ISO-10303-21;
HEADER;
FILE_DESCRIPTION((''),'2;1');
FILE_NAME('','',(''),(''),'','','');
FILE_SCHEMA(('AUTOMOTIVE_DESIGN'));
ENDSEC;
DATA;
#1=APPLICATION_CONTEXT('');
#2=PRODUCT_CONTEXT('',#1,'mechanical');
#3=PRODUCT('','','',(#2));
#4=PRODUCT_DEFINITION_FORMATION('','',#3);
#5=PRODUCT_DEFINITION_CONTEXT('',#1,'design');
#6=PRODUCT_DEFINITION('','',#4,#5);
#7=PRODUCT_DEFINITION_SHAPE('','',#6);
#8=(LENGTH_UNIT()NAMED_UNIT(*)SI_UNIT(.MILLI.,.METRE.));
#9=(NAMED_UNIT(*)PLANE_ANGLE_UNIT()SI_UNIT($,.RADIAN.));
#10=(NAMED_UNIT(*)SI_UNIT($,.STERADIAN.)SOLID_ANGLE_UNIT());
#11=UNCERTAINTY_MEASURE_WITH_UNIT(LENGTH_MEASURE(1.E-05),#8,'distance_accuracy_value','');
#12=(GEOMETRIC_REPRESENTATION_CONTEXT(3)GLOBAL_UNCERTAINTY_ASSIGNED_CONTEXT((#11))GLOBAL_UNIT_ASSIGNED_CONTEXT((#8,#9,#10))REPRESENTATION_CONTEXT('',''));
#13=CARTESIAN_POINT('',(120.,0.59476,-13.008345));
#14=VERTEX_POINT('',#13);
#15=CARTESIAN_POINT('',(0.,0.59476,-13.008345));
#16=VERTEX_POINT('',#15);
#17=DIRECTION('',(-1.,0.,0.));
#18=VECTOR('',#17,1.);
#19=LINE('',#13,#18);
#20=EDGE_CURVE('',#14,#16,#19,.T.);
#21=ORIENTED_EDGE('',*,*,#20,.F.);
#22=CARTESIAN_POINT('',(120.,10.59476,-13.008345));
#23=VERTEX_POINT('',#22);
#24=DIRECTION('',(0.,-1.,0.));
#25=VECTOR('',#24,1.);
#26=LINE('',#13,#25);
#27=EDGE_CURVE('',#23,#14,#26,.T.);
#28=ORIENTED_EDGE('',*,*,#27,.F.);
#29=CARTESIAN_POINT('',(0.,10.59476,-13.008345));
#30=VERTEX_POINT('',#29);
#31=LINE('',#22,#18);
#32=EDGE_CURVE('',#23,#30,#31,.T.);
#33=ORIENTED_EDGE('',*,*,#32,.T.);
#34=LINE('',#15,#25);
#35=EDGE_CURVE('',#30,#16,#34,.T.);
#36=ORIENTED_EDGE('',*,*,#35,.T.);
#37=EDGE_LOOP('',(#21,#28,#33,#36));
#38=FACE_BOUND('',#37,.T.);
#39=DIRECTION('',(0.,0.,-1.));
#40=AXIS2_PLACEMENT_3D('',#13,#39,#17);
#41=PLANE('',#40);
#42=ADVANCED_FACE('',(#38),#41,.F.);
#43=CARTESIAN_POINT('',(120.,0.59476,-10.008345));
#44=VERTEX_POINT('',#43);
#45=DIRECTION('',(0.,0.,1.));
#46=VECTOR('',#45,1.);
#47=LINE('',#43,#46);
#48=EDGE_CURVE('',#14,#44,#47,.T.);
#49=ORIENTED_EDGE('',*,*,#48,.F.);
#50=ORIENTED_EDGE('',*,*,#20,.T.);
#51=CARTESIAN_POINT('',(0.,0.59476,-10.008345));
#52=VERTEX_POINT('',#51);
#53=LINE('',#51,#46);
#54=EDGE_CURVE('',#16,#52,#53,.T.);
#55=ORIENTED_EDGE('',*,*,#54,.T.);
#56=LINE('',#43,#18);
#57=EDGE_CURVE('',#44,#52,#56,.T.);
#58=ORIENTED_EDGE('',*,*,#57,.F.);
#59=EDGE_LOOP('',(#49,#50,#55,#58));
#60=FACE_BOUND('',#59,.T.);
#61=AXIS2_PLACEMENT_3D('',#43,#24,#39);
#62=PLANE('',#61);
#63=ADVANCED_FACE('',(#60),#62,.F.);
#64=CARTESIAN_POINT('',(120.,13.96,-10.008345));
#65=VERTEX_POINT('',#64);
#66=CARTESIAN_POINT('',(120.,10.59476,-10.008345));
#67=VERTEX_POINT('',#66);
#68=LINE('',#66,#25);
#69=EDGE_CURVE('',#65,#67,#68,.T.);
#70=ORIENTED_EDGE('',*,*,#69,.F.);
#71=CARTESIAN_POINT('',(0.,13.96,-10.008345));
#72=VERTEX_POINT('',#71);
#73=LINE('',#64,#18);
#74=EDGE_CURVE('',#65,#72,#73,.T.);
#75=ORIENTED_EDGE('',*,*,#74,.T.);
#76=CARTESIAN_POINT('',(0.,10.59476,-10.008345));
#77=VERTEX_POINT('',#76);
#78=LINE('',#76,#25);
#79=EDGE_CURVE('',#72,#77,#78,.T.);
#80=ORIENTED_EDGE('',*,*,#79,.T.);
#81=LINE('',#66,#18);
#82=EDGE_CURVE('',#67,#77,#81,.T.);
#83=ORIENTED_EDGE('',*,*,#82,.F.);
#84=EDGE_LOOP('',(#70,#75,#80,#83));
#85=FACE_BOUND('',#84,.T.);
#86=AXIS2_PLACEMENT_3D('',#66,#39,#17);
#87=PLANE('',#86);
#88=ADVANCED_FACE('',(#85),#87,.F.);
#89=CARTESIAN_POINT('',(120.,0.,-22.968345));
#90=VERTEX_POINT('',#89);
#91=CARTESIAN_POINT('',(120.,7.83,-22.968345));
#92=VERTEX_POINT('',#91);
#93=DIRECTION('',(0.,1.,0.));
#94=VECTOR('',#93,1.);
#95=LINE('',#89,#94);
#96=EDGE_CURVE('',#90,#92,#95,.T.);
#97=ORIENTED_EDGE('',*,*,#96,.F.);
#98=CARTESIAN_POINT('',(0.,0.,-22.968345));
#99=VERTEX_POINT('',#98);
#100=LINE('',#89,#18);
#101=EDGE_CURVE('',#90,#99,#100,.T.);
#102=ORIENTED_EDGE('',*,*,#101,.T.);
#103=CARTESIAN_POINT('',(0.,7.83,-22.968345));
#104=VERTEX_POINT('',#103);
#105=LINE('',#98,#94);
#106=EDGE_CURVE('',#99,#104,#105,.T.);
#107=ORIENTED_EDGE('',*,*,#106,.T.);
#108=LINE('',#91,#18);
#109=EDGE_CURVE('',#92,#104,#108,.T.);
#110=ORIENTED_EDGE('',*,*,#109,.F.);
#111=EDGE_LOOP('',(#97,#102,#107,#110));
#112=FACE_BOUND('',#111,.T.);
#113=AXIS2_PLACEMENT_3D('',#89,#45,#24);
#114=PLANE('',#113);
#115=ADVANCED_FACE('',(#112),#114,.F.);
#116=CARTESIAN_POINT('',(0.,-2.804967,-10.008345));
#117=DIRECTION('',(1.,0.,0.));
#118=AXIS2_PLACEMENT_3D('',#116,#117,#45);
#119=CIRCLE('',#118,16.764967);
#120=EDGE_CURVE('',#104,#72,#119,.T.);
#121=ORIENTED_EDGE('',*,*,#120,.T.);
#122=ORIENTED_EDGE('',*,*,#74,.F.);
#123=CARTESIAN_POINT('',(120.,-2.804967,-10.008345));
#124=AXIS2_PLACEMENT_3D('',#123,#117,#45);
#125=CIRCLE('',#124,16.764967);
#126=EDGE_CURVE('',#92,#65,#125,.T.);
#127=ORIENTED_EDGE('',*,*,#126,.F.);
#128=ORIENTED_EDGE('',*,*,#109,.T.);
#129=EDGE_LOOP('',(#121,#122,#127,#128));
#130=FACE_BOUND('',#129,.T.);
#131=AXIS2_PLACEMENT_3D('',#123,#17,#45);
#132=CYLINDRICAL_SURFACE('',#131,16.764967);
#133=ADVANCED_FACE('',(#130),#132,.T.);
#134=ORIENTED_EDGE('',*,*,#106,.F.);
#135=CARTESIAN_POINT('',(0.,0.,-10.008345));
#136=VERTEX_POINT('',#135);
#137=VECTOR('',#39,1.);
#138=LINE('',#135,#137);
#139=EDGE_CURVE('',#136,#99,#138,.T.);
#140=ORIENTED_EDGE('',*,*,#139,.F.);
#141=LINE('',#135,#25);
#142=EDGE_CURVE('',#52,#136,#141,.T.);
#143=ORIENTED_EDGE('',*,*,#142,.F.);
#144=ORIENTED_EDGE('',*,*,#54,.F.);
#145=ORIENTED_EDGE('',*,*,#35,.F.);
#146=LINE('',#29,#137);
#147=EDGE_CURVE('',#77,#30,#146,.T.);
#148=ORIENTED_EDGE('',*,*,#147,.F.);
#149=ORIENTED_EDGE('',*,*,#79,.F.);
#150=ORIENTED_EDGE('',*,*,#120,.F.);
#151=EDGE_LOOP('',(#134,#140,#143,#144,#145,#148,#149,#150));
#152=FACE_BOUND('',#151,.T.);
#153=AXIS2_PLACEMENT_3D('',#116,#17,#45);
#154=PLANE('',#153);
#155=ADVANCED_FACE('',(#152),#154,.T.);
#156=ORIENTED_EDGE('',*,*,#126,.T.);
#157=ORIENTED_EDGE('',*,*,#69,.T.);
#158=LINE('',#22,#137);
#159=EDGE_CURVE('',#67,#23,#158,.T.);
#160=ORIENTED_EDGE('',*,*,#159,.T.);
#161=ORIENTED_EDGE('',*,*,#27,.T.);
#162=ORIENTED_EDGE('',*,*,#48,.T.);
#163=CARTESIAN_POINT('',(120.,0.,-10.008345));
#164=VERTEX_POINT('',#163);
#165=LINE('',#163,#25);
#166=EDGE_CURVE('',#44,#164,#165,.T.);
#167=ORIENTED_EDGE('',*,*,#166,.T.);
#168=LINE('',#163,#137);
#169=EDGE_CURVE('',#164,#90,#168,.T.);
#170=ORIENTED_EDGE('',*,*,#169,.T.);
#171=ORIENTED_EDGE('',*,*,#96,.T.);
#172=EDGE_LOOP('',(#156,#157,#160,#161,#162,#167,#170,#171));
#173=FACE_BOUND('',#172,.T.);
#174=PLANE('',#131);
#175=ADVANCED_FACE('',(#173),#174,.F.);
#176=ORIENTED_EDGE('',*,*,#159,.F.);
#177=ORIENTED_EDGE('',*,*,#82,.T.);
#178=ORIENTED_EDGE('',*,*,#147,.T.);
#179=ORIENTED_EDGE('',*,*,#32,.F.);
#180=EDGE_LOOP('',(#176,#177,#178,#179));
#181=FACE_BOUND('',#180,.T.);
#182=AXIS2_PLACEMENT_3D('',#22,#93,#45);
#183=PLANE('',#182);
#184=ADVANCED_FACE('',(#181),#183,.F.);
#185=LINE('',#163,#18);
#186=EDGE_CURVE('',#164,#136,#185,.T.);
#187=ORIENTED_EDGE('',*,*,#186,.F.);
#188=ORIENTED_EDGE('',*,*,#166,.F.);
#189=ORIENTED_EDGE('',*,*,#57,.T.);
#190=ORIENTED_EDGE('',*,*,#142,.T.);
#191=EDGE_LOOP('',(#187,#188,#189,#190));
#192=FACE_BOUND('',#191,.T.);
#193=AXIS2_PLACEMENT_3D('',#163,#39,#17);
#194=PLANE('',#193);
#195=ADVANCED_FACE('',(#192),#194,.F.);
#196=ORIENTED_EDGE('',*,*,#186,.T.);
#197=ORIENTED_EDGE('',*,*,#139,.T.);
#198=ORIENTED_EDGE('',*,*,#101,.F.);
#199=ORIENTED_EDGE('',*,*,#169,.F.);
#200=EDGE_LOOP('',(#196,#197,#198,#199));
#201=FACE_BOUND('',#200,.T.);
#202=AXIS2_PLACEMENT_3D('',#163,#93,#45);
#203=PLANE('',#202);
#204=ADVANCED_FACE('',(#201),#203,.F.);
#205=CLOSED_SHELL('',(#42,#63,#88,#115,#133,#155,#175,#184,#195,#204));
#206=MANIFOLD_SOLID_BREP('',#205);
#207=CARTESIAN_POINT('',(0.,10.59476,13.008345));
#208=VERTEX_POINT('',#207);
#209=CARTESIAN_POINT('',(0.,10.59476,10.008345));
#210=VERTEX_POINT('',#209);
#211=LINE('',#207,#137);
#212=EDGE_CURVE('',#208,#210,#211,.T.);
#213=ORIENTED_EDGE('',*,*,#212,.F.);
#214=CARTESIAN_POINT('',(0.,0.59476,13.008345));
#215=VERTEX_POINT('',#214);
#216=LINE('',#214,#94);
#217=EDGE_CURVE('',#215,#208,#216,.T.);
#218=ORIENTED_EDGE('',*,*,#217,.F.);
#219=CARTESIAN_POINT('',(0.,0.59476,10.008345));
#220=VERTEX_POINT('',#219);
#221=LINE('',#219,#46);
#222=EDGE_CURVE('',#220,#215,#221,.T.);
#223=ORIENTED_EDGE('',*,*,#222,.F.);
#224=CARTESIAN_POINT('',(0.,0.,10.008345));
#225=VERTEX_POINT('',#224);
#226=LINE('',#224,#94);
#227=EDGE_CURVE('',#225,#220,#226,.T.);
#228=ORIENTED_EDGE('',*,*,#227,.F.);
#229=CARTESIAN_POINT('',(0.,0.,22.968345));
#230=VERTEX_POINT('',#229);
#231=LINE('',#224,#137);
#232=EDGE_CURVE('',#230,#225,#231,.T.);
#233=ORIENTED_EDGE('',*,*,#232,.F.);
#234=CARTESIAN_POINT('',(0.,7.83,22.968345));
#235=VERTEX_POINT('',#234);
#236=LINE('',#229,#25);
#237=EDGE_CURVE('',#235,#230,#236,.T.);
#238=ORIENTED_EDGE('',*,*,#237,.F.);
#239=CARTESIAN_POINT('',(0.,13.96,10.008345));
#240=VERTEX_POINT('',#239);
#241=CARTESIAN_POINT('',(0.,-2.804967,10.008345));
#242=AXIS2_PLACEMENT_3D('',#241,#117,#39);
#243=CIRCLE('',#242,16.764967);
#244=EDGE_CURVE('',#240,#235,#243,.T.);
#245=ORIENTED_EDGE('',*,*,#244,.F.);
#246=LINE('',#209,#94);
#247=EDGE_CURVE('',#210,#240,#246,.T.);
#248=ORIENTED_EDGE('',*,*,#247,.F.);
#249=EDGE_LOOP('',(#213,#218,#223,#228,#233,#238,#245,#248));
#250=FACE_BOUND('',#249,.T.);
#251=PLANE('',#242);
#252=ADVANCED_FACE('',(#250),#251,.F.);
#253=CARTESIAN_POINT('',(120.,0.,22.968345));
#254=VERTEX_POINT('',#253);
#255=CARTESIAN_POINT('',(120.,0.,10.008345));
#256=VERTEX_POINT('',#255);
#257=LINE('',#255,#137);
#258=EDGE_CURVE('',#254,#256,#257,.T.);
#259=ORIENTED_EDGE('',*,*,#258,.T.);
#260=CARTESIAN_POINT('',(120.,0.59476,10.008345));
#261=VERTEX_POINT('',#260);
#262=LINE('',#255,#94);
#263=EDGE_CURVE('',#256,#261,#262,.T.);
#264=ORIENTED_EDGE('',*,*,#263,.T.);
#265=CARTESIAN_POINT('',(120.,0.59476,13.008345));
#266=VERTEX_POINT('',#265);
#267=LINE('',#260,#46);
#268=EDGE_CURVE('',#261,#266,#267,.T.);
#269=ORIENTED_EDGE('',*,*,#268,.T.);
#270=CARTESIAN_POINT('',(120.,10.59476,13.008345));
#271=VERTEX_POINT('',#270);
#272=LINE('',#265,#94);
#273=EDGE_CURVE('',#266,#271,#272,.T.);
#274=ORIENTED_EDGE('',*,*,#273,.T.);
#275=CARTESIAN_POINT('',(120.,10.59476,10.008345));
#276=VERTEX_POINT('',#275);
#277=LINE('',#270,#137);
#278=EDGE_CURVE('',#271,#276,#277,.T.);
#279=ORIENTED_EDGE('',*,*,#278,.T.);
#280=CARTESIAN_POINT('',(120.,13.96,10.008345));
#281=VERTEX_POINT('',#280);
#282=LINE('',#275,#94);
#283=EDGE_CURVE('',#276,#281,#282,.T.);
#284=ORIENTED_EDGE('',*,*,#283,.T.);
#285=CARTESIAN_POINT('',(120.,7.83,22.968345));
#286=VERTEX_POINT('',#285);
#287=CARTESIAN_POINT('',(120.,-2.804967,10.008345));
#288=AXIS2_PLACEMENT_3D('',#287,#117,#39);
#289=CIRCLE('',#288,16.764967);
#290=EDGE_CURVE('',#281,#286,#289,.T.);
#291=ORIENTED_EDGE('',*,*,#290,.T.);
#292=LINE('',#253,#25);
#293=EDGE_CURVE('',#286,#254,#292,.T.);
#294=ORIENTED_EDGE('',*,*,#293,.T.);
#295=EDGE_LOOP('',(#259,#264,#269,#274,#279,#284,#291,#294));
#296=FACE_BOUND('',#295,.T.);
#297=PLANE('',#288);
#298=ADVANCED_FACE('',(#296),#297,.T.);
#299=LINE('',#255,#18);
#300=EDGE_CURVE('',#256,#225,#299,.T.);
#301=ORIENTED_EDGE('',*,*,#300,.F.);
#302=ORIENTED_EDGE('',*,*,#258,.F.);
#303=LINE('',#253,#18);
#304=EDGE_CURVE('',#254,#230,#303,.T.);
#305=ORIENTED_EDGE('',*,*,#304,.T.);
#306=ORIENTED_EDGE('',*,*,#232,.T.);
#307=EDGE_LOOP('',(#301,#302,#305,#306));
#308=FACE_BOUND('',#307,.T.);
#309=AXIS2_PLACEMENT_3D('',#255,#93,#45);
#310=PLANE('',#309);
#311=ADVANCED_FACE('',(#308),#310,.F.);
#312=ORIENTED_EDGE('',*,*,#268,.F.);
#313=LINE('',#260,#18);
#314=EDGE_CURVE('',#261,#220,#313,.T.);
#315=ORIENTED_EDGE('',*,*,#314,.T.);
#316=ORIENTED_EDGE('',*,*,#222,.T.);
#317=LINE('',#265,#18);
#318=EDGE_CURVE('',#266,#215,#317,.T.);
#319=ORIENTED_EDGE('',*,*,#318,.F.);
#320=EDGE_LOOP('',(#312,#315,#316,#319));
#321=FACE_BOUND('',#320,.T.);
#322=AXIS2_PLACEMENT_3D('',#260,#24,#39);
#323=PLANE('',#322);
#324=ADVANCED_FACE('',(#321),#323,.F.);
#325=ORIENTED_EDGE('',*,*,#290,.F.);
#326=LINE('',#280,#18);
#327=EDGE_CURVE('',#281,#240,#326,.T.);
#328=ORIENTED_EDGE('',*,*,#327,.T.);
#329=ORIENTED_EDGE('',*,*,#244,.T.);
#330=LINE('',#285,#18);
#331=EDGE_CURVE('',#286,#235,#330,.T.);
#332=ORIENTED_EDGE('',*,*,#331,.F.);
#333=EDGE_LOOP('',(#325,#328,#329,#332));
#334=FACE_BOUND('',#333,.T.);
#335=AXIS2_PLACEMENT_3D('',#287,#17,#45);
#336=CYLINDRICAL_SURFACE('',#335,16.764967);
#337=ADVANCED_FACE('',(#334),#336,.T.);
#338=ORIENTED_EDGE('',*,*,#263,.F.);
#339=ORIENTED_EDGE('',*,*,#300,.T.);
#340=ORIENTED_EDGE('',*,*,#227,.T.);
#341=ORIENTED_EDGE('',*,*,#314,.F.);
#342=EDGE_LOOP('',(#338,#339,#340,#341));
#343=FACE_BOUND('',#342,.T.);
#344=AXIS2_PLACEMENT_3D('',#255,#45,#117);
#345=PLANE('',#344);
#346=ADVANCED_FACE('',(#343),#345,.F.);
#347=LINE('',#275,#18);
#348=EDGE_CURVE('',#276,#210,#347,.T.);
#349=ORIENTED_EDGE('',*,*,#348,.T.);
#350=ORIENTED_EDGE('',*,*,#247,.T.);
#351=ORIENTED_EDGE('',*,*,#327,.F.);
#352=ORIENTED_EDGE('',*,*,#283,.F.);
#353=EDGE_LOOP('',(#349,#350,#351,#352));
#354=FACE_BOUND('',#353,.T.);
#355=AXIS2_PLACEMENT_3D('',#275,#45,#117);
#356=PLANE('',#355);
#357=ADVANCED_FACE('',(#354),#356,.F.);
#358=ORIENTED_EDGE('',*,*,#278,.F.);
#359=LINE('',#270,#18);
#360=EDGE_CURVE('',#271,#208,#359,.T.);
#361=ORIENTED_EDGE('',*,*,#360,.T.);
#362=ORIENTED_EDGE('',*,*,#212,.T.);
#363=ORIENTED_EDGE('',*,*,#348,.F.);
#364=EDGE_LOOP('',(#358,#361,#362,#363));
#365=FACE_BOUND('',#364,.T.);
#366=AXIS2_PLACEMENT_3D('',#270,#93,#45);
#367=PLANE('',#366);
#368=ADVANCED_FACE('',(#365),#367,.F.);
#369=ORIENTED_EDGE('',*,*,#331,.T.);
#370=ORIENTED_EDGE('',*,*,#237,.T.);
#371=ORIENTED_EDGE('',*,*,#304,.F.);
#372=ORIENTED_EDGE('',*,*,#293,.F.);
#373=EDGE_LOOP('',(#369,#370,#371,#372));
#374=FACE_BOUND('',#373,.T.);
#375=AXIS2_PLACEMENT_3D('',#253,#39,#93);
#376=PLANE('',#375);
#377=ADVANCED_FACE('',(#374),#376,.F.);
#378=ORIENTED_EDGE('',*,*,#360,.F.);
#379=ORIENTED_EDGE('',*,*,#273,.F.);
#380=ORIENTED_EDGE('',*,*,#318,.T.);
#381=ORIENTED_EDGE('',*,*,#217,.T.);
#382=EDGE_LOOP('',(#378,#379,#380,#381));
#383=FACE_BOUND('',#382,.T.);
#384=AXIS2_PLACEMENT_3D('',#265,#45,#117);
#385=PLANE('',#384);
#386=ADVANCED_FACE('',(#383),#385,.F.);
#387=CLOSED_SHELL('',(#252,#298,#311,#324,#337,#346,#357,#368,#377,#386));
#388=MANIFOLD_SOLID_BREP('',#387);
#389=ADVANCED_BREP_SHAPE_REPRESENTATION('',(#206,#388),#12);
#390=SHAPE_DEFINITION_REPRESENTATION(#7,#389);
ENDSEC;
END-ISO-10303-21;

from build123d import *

# Parameters (mm, degrees)
BOSS_EXTRUDE1_DEPTH   = 120
BOSS_EXTRUDE1_2_DEPTH = 120


with BuildPart() as part:
    # Sketch3 → Boss-Extrude1 (new body)
    with BuildSketch(Plane(origin=(0, 0, -10), x_dir=(0, 0, -1), z_dir=(1, 0, 0))):
        with BuildLine():
            Line((0.008344509, 0), (12.968344509, 0))
            Line((12.968344509, 0), (12.968344509, 7.83))
            ThreePointArc((12.968344509, 7.83), (7.176651492, 12.350213458), (0.008344509, 13.96))
            Line((0.008344509, 13.96), (0.008344509, 10.59476024))
            Line((0.008344509, 10.59476024), (3.008344509, 10.59476024))
            Line((3.008344509, 10.59476024), (3.008344509, 0.59476024))
            Line((3.008344509, 0.59476024), (0.008344509, 0.59476024))
            Line((0.008344509, 0.59476024), (0.008344509, 0))
        make_face()
    extrude(amount=BOSS_EXTRUDE1_DEPTH)


with BuildPart() as body_2:
    # Sketch3 → Boss-Extrude1 2 (new body)
    with BuildSketch(Plane(origin=(0, 0, -10), x_dir=(0, 0, -1), z_dir=(1, 0, 0))):
        with BuildLine():
            Line((-20.008344509, 10.59476024), (-20.008344509, 13.96))
            ThreePointArc((-20.008344509, 13.96), (-27.176651492, 12.350213458), (-32.968344509, 7.83))
            Line((-32.968344509, 7.83), (-32.968344509, 0))
            Line((-32.968344509, 0), (-20.008344509, 0))
            Line((-20.008344509, 0), (-20.008344509, 0.59476024))
            Line((-20.008344509, 0.59476024), (-23.008344509, 0.59476024))
            Line((-23.008344509, 0.59476024), (-23.008344509, 10.59476024))
            Line((-23.008344509, 10.59476024), (-20.008344509, 10.59476024))
        make_face()
    extrude(amount=BOSS_EXTRUDE1_2_DEPTH)


solid = Compound([part.part, body_2.part])
